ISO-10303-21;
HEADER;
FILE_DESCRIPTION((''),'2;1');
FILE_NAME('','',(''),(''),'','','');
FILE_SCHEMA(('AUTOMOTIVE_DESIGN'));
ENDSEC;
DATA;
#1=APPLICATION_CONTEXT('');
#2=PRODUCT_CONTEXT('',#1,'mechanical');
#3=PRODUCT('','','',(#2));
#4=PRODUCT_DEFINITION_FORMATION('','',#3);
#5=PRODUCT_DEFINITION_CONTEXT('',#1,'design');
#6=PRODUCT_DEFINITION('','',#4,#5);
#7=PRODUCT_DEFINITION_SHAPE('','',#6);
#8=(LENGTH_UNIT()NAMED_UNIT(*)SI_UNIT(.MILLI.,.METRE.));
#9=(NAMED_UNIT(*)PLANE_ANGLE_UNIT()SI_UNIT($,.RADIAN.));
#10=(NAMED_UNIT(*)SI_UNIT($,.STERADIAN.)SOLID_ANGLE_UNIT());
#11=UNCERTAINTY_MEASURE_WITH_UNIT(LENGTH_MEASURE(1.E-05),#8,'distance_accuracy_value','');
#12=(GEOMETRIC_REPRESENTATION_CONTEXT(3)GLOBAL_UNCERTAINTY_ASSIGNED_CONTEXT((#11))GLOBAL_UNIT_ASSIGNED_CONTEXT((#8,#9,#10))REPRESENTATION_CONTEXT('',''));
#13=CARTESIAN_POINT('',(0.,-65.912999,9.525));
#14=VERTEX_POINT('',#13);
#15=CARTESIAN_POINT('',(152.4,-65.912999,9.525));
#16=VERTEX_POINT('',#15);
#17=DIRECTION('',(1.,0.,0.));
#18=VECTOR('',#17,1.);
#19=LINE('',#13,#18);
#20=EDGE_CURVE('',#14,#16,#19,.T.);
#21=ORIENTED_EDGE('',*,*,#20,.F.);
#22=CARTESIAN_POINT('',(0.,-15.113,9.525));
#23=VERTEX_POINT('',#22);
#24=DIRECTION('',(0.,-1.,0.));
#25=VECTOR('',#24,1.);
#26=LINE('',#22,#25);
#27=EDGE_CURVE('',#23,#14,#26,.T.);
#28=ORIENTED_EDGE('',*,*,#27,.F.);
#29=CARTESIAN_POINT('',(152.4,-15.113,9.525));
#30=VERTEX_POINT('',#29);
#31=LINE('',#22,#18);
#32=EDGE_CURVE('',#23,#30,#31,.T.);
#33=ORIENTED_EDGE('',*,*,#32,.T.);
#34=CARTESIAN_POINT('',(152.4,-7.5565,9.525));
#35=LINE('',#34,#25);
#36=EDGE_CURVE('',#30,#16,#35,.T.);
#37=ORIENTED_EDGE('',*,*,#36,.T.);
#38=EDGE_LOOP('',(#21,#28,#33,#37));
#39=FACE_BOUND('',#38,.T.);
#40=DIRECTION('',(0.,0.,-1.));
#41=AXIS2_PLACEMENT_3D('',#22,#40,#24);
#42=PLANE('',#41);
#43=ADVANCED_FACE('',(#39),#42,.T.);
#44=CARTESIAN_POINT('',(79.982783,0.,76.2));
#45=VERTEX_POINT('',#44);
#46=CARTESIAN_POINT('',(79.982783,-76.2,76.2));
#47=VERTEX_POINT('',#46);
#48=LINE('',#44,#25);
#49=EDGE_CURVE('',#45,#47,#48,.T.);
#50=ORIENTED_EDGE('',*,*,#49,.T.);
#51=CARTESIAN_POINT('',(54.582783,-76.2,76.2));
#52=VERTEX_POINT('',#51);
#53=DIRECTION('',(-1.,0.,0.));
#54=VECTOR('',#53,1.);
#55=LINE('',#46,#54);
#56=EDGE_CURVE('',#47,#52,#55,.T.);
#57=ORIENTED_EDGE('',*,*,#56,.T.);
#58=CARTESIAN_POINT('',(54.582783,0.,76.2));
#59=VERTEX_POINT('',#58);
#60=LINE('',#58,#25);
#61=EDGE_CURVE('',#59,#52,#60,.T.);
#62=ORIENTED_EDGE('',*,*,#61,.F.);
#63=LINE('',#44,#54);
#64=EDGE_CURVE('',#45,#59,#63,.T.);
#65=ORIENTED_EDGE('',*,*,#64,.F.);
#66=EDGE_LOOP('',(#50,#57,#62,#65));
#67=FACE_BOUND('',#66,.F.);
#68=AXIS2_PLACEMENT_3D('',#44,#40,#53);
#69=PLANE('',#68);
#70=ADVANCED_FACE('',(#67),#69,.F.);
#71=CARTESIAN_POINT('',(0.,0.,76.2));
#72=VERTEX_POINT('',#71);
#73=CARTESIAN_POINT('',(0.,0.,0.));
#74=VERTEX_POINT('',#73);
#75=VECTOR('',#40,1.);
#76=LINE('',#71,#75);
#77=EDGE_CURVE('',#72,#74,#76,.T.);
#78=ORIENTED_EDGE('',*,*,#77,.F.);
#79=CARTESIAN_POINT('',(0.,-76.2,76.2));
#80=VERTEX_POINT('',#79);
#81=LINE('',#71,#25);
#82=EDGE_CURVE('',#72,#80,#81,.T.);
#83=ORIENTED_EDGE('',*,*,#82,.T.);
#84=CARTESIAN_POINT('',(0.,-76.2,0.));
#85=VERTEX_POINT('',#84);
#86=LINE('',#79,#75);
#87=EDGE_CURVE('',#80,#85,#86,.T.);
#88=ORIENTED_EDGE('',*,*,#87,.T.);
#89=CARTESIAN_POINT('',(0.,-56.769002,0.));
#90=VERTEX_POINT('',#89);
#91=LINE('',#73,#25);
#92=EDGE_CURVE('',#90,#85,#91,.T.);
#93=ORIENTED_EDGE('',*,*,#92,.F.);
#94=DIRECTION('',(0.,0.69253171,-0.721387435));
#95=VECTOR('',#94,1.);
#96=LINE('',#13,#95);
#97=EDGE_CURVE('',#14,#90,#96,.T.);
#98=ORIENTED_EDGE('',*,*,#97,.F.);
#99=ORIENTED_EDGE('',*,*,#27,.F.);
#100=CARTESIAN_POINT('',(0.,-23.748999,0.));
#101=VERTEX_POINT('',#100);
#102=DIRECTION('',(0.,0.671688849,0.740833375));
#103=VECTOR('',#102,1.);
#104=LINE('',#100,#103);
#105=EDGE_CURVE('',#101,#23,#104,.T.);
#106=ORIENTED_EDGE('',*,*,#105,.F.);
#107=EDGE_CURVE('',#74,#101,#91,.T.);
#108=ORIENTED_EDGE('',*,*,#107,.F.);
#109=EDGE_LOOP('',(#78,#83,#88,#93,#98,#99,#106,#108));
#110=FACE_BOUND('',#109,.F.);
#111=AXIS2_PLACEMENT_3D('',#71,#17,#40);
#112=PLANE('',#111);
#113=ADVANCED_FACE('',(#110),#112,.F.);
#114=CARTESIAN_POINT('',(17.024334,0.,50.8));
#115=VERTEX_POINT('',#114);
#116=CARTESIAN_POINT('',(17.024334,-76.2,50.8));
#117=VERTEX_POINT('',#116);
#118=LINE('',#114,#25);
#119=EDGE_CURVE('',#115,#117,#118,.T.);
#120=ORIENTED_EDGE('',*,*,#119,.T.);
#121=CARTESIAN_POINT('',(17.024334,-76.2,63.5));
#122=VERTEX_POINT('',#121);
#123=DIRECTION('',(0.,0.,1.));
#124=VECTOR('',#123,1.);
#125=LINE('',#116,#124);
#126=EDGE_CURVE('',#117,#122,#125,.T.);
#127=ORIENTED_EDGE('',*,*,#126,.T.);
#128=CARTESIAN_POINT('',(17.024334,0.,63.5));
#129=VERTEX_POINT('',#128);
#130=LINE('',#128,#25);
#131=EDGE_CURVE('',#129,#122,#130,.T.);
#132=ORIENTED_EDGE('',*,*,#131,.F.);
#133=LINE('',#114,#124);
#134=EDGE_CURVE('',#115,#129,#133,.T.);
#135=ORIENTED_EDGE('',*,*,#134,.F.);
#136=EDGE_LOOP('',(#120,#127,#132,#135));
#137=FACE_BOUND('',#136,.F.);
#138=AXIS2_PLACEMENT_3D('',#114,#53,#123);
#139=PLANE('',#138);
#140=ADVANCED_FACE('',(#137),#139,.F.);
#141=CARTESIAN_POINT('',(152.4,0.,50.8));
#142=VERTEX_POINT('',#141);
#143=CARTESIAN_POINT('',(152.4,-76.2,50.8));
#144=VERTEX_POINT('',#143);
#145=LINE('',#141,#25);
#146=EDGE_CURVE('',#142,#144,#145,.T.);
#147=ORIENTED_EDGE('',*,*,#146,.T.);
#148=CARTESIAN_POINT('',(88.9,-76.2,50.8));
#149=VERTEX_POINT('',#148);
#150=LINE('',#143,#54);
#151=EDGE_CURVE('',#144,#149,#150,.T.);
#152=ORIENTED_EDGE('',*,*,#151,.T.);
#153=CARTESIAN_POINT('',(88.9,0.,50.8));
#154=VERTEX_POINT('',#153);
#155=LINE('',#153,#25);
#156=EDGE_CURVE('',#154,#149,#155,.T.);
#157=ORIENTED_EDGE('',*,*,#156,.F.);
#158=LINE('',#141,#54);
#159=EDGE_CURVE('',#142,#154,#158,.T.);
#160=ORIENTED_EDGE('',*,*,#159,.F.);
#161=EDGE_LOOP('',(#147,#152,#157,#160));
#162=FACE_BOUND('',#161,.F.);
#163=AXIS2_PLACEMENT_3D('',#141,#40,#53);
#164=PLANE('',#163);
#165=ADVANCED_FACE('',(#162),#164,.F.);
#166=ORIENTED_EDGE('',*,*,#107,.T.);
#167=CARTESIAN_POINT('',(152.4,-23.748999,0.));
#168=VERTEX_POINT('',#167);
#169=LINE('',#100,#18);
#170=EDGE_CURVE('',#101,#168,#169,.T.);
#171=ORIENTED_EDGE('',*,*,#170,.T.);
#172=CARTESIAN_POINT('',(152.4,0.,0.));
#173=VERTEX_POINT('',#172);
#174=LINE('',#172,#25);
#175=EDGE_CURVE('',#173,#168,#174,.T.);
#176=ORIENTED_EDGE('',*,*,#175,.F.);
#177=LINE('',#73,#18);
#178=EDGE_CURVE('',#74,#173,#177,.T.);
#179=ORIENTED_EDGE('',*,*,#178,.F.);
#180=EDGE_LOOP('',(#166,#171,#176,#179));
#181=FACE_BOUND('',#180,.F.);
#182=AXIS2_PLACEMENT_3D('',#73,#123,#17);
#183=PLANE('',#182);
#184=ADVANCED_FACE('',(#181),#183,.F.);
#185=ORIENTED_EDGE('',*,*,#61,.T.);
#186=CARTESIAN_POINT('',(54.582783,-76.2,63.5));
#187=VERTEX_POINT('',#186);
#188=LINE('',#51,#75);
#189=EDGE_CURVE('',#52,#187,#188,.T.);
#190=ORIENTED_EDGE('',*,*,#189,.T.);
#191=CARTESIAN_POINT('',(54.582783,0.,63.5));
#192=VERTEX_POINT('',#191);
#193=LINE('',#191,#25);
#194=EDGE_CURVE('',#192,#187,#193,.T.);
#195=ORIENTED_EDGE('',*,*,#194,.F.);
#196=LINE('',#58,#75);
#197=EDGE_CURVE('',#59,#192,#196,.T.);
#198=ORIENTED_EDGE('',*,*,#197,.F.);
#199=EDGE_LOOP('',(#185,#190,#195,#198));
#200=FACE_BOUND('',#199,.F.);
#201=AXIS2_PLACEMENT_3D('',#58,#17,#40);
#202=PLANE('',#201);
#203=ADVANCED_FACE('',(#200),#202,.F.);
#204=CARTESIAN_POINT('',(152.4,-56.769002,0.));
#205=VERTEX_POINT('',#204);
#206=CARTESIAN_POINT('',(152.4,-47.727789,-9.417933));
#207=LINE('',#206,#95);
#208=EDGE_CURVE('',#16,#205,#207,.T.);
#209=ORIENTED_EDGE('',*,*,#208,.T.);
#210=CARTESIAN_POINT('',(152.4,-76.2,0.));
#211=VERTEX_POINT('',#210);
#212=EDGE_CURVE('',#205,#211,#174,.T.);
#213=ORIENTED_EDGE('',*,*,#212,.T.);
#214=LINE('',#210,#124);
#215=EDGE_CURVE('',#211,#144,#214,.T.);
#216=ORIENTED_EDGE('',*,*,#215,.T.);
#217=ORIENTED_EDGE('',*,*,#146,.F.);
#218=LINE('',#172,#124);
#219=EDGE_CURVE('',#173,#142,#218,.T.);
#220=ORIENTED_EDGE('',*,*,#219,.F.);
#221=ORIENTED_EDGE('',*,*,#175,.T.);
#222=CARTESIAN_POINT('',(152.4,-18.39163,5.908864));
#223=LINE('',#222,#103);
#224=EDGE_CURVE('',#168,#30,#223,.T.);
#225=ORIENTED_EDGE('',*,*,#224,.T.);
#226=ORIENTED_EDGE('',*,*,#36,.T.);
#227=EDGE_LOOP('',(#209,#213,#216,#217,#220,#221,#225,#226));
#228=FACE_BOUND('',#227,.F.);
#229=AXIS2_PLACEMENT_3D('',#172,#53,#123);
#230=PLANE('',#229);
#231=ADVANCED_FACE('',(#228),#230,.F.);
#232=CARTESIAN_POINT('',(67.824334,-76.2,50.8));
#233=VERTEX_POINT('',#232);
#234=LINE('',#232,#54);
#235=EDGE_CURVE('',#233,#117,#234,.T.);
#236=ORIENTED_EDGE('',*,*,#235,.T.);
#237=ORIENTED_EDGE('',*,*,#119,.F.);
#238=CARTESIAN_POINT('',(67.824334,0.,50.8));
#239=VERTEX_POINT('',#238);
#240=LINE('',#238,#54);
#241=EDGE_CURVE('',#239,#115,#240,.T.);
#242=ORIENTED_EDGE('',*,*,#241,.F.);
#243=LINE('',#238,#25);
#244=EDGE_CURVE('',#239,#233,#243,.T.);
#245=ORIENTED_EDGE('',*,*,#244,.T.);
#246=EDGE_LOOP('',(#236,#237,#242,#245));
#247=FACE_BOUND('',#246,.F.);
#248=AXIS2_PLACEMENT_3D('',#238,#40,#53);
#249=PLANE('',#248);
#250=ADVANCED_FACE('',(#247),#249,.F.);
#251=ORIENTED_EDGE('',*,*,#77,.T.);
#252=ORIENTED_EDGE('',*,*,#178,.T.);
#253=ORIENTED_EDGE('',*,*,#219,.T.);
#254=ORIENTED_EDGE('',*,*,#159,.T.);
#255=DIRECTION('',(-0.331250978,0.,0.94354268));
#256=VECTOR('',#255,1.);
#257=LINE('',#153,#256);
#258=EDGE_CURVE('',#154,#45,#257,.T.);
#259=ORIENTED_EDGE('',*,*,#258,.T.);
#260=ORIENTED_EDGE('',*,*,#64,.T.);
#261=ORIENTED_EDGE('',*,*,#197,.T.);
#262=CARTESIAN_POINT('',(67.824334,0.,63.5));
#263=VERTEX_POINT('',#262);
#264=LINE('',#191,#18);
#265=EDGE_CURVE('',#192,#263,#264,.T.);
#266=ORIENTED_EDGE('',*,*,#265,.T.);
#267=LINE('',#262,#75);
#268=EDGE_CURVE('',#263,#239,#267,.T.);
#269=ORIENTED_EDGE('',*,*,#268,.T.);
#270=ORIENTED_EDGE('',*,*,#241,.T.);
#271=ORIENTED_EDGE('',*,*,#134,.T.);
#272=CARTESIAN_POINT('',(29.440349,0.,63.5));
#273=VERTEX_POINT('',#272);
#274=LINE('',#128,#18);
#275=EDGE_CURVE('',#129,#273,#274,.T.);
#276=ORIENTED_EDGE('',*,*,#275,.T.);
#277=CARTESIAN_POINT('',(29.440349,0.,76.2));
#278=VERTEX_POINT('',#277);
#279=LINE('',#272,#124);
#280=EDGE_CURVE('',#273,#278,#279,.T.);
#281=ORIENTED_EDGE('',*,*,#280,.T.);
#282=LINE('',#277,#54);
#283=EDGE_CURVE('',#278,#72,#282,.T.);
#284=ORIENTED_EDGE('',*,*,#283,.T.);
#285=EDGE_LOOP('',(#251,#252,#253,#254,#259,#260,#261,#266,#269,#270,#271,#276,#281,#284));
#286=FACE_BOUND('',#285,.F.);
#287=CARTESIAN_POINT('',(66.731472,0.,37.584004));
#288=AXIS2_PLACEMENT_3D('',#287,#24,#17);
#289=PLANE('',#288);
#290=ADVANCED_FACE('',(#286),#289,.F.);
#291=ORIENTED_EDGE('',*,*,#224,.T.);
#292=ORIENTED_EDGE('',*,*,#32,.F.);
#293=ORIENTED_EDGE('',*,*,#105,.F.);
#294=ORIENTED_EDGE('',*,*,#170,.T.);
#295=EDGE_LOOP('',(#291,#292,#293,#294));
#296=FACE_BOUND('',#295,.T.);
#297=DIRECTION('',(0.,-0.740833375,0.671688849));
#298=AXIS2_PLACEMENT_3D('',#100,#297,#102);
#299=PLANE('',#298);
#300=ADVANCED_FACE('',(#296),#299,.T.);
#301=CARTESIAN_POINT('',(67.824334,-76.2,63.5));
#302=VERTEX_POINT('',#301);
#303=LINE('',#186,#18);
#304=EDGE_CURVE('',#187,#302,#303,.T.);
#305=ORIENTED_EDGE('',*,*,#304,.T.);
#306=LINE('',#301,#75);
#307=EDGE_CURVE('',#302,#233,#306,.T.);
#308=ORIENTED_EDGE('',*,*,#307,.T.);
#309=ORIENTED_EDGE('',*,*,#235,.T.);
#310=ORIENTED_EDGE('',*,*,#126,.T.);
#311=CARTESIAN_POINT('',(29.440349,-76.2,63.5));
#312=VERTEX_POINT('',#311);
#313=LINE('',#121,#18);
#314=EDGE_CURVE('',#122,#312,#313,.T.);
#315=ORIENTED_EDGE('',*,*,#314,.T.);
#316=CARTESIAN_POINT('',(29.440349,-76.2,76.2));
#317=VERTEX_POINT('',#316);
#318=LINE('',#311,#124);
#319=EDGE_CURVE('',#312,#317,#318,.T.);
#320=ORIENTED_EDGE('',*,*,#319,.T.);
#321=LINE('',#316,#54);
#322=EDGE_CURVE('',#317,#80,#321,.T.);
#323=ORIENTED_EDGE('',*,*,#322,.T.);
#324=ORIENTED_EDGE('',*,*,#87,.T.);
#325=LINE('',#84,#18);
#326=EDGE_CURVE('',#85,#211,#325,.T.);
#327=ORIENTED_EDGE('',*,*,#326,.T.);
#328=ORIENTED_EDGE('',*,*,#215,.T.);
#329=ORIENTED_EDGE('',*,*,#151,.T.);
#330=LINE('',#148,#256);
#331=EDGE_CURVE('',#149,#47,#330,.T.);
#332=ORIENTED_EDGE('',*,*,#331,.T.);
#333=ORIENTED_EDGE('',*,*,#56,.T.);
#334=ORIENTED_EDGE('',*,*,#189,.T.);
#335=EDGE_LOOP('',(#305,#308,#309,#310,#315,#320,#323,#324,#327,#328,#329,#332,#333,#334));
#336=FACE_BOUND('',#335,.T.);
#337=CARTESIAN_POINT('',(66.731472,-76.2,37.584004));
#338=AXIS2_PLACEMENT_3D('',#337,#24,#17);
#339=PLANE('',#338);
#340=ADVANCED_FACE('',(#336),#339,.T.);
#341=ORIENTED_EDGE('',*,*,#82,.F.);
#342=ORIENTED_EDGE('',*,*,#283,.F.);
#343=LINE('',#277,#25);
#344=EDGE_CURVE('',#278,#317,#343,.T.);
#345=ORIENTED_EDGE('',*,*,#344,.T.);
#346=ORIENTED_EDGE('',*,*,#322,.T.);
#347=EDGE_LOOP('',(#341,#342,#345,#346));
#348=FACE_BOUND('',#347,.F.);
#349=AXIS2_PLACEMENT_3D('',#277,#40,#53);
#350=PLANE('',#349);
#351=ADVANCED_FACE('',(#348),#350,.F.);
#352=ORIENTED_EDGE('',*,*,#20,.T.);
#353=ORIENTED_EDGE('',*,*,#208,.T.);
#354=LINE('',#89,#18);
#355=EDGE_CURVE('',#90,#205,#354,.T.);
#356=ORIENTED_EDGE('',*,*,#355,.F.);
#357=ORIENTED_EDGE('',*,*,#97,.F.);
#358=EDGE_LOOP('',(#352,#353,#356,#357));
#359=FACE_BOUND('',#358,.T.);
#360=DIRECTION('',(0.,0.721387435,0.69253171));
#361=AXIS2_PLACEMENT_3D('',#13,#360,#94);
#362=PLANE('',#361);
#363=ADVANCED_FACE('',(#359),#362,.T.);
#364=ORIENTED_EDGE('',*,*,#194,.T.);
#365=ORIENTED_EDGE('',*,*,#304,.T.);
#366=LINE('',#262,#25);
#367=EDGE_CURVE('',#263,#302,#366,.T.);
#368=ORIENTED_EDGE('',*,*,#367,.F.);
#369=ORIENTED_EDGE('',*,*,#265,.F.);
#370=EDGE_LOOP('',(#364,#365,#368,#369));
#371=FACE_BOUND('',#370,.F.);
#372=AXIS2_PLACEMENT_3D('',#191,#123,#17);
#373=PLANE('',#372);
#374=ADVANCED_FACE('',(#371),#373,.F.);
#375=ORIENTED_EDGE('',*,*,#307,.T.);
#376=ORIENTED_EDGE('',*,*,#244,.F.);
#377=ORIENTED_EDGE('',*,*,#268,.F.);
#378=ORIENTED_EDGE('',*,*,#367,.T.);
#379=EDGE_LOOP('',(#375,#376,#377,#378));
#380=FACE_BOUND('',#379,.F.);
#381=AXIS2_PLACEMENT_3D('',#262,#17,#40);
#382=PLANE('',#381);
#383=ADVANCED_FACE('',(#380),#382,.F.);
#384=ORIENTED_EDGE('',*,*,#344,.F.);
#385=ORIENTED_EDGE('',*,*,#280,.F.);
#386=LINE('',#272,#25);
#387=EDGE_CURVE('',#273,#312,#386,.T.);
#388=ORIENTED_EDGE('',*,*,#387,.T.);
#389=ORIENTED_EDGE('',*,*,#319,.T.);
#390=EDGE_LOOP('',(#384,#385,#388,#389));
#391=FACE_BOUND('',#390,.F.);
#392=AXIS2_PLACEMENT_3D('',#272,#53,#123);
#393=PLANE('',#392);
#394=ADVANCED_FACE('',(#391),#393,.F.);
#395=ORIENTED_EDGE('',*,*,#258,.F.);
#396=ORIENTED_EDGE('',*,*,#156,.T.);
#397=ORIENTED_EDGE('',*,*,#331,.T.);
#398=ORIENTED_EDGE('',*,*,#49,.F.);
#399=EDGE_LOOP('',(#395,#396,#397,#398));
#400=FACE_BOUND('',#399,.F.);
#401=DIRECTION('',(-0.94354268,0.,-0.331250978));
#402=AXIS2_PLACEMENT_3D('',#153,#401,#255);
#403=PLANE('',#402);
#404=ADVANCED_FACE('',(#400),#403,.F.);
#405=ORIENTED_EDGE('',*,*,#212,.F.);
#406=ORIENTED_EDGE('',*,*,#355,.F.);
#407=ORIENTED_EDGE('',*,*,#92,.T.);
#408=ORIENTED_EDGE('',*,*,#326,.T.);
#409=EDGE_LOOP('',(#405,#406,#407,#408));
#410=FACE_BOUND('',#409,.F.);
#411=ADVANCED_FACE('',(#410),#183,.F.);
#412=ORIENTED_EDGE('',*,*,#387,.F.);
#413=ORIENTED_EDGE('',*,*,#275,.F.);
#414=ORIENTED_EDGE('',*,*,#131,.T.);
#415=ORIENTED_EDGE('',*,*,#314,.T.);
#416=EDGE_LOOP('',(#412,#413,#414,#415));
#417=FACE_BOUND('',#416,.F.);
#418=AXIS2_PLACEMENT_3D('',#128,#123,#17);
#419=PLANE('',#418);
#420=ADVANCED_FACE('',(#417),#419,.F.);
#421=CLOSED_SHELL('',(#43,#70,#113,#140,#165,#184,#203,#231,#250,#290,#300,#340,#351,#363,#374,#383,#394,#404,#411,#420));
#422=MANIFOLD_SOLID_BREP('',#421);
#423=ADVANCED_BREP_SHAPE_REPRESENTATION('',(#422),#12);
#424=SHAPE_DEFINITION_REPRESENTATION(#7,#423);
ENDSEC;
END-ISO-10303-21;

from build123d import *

# Parameters (mm, degrees)
F1_DEPTH = 76.2
F3_DEPTH = 182.626


with BuildPart() as f1:
    # F0 (on Front) → F1 (new body)
    with BuildSketch(Plane.XZ):
        Polygon((0, 76.2), (0, 0), (152.4, 0), (152.4, 50.8), (88.9, 50.8), (79.982783, 76.2), (54.582783, 76.2), (54.582783, 63.5), (67.824334, 63.5), (67.824334, 50.8), (17.024334, 50.8), (17.024334, 63.5), (29.440349, 63.5), (29.440349, 76.2), align=None)
    extrude(amount=F1_DEPTH)

    # F2 (on Right) → F3 (cut)
    with BuildSketch(Plane.YZ):
        Polygon((-56.769002, 0), (-23.748999, 0), (-15.113, 9.525), (-65.912999, 9.525), align=None)
    extrude(amount=F3_DEPTH, mode=Mode.SUBTRACT)


solid = f1.part
